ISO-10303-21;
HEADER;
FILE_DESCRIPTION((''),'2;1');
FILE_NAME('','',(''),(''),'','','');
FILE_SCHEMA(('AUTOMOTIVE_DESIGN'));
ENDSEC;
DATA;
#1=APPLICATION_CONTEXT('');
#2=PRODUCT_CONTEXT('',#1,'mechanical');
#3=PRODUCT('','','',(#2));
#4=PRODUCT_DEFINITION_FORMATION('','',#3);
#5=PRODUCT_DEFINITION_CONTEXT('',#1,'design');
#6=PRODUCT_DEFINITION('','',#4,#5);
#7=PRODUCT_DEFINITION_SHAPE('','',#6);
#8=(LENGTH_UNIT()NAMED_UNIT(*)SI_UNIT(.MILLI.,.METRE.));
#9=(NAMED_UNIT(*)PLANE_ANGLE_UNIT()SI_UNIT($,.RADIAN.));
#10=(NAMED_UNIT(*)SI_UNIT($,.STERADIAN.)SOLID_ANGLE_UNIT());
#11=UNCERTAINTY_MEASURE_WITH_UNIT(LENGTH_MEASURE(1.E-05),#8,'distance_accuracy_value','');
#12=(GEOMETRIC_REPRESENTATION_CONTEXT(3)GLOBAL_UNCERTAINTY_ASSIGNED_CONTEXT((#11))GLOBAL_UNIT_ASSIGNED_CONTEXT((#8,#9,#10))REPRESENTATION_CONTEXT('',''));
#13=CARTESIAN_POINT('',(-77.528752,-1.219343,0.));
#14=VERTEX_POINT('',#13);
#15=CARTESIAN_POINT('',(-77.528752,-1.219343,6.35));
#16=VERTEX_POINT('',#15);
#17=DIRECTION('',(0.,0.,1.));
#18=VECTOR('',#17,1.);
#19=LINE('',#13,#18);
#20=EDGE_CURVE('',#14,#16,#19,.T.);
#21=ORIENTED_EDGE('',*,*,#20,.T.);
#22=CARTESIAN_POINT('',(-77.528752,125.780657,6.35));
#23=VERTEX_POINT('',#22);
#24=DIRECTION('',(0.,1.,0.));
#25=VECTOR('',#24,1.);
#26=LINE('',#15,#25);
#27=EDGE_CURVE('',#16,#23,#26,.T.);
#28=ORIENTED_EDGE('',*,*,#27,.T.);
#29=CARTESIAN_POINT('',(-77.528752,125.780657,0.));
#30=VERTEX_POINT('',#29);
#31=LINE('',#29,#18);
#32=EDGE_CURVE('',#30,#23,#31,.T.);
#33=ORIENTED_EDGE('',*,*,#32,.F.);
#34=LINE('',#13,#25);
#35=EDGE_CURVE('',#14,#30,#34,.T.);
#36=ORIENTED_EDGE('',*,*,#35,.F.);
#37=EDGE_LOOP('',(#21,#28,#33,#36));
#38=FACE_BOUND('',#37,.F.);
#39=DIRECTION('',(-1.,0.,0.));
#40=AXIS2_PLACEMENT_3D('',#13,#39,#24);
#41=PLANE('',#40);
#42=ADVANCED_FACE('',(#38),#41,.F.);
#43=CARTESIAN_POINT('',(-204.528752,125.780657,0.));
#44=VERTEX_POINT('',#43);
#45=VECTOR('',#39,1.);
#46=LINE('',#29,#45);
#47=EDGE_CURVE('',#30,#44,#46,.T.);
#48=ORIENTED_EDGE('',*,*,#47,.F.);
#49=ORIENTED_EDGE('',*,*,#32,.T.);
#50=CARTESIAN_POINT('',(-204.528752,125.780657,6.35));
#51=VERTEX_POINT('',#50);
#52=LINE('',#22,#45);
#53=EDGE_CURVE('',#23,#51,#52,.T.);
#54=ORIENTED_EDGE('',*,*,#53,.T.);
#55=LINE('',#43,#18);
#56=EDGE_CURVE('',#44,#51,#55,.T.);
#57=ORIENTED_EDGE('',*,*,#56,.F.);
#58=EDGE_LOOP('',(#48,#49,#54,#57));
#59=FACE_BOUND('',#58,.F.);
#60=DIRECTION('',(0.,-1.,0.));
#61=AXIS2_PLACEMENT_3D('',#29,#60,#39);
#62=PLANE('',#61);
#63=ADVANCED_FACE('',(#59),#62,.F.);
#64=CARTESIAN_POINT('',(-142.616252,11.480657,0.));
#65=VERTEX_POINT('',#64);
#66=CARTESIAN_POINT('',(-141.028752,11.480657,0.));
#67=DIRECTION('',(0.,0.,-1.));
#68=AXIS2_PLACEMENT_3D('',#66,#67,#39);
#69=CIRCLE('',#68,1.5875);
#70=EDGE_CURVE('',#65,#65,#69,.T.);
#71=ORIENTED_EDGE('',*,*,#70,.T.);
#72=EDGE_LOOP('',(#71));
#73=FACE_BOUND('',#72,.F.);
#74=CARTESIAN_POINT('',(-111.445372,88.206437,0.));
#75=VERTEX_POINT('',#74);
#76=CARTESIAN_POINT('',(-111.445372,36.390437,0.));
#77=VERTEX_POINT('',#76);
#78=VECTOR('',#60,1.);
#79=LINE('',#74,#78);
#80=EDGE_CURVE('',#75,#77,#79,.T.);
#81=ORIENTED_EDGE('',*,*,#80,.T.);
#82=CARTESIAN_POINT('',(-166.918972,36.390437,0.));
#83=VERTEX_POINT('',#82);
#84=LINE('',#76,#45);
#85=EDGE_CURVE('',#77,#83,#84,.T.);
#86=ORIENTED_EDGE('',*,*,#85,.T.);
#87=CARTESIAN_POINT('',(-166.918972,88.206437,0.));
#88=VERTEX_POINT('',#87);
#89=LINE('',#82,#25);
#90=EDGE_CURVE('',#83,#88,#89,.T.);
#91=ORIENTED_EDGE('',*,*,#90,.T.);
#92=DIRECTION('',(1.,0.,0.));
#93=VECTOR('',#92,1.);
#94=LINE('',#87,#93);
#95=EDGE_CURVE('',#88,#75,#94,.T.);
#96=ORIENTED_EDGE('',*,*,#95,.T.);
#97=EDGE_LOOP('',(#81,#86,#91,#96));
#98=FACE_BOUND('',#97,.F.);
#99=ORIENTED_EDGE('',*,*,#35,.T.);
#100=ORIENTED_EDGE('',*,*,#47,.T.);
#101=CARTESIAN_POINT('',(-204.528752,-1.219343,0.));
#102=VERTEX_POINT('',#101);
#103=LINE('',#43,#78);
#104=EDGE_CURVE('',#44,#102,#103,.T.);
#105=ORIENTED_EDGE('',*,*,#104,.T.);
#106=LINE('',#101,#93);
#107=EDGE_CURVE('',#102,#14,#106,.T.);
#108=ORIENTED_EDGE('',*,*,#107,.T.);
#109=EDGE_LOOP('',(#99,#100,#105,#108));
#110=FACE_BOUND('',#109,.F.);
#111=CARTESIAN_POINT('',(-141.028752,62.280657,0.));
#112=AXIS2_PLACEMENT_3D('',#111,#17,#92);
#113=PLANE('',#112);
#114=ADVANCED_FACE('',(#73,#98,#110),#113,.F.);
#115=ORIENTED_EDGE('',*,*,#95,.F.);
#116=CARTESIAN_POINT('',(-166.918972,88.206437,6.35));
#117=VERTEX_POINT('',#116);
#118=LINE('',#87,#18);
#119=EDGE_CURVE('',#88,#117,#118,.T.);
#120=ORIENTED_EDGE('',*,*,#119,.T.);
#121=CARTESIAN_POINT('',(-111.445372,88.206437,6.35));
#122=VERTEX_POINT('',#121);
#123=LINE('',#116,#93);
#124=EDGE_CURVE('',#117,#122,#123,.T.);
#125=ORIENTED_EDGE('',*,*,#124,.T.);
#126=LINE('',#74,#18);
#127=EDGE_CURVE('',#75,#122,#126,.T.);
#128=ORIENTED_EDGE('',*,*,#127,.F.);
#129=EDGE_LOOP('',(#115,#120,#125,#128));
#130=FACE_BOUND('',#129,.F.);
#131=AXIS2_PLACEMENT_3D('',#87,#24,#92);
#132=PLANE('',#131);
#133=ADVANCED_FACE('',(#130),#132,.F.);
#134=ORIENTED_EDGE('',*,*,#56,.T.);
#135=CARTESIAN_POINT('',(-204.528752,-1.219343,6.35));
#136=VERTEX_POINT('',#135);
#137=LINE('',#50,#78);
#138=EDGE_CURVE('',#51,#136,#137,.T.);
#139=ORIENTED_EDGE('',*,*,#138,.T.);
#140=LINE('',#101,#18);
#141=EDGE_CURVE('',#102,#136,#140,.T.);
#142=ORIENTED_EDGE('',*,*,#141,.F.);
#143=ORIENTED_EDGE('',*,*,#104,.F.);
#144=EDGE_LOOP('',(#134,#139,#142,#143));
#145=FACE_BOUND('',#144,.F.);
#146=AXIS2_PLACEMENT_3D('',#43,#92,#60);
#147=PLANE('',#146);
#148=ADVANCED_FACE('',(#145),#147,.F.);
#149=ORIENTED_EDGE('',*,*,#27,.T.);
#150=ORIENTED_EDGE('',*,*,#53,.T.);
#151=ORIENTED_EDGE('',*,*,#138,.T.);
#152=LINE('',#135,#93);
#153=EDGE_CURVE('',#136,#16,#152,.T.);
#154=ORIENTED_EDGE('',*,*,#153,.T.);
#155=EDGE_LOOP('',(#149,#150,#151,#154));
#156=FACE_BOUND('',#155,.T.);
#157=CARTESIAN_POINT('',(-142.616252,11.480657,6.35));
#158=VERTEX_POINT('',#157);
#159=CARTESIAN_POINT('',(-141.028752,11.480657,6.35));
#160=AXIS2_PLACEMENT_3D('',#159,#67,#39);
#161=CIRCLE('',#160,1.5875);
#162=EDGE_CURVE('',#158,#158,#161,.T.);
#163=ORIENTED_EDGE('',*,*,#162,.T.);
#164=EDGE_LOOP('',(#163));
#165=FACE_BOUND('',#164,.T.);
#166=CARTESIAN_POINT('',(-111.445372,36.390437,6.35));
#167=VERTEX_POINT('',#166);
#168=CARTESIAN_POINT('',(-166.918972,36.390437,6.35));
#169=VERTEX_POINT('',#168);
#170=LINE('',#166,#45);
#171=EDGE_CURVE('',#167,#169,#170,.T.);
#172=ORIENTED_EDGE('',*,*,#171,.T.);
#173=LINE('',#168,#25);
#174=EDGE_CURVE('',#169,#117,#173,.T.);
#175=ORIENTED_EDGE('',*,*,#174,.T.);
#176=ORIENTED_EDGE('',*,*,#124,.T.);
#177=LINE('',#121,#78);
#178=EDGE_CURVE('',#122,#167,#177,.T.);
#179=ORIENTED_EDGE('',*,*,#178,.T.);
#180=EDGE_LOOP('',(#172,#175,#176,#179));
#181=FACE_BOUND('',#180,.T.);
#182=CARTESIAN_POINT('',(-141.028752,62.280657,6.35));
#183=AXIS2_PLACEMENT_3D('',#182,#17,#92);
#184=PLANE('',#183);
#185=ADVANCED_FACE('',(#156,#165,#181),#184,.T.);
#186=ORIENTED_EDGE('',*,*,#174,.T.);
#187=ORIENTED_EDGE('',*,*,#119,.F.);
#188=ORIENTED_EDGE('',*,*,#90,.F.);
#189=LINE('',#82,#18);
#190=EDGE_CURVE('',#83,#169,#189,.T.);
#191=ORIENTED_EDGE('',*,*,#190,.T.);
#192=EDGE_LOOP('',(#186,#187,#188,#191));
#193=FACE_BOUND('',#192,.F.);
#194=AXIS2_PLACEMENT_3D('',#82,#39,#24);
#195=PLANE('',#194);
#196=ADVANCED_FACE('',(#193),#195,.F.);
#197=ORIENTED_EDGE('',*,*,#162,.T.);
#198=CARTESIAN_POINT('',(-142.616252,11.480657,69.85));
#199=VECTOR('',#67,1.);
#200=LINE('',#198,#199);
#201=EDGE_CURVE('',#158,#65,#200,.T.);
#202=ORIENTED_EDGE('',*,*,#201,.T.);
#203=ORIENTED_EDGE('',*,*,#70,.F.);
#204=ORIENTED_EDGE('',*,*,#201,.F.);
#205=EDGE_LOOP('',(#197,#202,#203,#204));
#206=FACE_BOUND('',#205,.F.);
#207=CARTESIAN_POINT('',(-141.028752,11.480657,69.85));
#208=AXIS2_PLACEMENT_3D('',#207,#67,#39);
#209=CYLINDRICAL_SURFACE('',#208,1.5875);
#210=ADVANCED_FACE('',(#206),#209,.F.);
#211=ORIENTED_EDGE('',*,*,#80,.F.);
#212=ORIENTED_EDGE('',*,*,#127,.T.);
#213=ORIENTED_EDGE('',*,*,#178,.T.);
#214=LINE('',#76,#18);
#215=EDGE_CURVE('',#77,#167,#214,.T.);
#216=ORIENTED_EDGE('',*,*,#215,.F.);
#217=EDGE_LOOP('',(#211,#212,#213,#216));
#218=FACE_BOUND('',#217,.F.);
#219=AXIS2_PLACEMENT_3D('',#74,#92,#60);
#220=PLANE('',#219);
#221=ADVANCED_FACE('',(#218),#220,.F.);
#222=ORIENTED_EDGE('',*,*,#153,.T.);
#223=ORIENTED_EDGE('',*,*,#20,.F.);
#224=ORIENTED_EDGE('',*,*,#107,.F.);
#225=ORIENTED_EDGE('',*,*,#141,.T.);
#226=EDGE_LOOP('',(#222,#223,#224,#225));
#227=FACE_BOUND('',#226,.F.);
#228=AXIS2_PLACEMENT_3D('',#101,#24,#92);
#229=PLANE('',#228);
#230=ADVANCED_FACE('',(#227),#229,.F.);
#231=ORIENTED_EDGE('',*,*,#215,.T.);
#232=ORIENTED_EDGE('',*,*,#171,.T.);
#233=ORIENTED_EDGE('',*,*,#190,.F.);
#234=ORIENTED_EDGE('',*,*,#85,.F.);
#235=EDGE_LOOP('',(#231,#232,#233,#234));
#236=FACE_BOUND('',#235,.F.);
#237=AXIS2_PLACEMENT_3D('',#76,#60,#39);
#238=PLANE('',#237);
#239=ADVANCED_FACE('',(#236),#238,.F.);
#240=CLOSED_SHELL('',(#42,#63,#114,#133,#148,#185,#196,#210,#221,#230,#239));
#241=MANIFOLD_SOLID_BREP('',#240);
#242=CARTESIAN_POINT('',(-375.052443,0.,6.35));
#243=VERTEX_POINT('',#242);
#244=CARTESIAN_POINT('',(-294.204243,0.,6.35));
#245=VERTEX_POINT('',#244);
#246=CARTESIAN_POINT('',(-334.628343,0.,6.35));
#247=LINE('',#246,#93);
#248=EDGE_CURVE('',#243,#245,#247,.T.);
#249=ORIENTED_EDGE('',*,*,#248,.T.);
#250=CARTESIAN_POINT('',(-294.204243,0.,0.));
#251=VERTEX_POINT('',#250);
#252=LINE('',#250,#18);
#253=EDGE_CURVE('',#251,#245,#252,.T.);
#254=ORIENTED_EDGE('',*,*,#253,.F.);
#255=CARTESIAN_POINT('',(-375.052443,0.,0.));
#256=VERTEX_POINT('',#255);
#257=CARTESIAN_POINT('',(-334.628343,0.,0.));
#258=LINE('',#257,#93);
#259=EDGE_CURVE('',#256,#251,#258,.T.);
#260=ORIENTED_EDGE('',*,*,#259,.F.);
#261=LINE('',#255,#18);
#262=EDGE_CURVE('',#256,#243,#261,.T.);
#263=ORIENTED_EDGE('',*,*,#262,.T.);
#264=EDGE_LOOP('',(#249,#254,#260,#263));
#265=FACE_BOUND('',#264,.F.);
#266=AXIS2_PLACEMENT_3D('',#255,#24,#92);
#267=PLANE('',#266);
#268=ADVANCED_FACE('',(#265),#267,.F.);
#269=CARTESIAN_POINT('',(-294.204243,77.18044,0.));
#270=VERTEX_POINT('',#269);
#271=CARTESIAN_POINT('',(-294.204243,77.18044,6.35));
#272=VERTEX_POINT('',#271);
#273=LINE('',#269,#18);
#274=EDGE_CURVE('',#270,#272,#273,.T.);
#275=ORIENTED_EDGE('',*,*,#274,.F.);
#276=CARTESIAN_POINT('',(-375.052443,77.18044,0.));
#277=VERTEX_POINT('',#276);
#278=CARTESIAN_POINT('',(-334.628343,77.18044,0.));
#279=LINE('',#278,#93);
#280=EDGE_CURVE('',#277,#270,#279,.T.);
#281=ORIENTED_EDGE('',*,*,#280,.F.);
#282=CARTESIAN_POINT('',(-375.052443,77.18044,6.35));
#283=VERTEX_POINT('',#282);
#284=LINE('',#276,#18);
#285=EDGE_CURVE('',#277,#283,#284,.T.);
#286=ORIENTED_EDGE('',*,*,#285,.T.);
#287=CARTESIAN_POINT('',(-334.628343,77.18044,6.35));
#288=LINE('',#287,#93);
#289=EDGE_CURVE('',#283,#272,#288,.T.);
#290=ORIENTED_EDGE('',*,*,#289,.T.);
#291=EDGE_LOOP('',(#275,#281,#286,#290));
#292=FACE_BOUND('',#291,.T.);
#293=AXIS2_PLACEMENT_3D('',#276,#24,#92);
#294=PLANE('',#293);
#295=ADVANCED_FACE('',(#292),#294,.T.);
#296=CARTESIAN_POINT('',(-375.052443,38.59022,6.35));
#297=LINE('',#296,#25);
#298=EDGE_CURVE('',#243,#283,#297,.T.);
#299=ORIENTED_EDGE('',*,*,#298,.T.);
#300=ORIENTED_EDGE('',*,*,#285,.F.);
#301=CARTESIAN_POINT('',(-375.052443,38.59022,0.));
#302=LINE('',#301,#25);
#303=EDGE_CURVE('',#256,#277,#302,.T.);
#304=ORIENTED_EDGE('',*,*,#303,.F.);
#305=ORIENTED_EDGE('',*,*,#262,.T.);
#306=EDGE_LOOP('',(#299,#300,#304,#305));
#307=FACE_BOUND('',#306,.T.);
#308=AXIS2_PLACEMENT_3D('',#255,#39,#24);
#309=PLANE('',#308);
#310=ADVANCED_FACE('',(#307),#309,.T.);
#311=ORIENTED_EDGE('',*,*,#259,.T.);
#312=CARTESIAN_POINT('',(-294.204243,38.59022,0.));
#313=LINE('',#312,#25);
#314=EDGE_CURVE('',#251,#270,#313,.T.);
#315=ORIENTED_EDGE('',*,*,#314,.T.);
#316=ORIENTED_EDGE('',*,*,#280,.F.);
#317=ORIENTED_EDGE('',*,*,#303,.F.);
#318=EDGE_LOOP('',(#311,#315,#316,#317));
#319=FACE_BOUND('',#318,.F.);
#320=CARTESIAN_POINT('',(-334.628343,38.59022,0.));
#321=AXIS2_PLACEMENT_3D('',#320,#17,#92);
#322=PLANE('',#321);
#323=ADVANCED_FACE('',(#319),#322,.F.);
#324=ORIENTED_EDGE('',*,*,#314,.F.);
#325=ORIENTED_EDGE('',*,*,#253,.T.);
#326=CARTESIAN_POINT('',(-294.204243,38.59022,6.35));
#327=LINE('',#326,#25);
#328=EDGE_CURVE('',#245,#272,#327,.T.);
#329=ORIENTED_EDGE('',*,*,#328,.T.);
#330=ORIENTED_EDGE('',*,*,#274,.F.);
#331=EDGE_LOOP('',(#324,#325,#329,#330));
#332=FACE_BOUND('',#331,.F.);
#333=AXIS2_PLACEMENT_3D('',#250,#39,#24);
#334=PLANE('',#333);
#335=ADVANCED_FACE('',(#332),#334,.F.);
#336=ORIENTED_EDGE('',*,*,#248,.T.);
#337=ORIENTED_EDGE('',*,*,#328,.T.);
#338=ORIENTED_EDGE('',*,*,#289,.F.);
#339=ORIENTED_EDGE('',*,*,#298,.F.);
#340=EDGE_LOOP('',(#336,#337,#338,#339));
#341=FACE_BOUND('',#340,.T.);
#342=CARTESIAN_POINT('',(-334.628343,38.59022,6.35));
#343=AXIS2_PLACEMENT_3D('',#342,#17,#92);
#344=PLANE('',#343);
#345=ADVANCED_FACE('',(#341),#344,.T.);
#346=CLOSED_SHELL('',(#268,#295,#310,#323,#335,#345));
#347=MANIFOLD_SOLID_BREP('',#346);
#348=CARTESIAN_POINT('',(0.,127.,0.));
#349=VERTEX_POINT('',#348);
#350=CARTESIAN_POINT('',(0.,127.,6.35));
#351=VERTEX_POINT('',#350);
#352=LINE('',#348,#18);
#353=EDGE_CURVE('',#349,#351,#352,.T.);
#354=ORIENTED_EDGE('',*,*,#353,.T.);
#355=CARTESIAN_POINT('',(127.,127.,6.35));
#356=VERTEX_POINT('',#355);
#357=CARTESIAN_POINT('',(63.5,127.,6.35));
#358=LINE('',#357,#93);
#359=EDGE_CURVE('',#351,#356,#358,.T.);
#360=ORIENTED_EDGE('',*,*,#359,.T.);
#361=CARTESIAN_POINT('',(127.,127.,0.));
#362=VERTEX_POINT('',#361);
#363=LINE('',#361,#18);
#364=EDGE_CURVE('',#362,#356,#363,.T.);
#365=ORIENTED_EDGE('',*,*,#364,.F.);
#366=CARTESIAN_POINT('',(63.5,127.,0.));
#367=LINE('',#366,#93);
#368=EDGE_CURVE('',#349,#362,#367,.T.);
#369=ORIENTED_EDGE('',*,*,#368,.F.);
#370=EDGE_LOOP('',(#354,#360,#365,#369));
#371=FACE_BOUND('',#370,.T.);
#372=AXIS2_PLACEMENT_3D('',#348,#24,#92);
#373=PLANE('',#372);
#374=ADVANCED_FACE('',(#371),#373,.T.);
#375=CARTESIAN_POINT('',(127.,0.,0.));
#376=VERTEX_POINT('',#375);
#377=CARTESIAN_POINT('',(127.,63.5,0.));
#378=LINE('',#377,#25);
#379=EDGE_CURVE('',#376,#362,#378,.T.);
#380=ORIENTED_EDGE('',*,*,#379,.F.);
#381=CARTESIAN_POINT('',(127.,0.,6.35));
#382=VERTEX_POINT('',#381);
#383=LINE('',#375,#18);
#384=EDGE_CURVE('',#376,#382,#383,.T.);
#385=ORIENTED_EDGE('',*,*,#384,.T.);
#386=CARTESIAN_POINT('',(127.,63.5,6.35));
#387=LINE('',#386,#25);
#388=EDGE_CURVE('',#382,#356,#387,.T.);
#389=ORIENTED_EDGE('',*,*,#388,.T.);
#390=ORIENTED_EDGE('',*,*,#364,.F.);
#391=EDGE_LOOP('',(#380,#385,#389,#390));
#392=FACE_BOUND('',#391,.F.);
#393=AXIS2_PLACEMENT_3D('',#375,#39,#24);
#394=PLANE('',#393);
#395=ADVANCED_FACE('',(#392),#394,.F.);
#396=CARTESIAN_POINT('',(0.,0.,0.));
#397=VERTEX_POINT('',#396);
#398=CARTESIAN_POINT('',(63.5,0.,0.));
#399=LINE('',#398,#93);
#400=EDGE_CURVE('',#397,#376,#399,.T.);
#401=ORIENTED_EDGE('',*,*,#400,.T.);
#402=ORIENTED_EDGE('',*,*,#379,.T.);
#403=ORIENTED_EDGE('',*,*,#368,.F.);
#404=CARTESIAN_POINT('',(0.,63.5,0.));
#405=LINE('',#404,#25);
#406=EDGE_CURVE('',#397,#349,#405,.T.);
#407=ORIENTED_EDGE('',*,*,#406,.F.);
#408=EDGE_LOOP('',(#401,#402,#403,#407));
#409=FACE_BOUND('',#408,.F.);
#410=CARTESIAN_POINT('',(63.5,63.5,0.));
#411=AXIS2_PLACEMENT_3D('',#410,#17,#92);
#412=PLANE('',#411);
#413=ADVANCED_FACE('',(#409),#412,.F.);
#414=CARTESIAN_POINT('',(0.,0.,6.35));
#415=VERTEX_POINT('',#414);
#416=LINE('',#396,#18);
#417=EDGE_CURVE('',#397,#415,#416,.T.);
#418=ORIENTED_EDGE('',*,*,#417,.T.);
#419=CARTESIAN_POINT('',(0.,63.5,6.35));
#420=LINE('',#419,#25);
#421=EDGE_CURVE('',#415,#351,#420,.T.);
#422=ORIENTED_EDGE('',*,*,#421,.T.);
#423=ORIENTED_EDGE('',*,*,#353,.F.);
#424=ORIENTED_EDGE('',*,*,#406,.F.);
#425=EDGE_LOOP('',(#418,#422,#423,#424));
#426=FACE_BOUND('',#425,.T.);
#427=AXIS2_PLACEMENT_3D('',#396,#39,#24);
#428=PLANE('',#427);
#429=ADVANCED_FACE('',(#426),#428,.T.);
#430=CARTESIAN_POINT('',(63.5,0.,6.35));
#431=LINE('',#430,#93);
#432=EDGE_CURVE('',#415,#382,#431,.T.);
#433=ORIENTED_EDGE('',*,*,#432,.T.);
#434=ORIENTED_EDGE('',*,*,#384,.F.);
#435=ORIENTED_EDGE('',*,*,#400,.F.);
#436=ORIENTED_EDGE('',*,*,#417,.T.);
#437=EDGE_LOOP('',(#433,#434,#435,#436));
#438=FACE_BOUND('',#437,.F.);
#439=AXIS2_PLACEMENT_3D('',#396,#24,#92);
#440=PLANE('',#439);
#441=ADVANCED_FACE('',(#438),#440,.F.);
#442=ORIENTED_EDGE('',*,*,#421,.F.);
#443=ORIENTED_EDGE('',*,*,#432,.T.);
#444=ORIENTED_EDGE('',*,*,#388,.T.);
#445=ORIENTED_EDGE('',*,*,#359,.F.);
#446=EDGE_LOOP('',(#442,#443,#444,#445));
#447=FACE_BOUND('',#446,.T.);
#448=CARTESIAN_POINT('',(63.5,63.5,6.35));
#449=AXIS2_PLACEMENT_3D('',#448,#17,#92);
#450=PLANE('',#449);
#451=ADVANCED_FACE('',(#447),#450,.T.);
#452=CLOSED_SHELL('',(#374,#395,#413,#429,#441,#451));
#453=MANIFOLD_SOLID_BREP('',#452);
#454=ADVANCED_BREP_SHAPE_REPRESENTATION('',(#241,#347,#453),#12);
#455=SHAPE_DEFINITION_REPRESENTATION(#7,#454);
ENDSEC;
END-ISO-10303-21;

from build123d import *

# Parameters (mm, degrees)
F0_W     = 127
F0_H     = 127
F1_DEPTH = 6.35
F2_W     = 80.8482
F2_H     = 77.18044
F3_DEPTH = 6.35
F5_D     = 3.175
F5_DEPTH = 63.5


with BuildPart() as f1:
    # F0 (on Top) → F1 (new body)
    with BuildSketch(Plane.XY):
        with Locations((63.5, 63.5)):
            Rectangle(F0_W, F0_H)
        Polygon((-204.528752, 125.780657), (-204.528752, -1.219343), (-141.028752, -1.219343), (-77.528752, -1.219343), (-77.528752, 125.780657), align=None)
        Polygon((-166.918972, 62.280657), (-166.918972, 88.206437), (-111.445372, 88.206437), (-111.445372, 62.280657), (-111.445372, 36.390437), (-141.028752, 36.390437), (-166.918972, 36.390437), align=None, mode=Mode.SUBTRACT)
    extrude(amount=F1_DEPTH)

    # F5
    with Locations(Plane.XY.offset(6.35)):
        with Locations((-141.028752, 11.480657)):
            Hole(F5_D / 2, depth=F5_DEPTH)


with BuildPart() as f3:
    # F2 (on Top) → F3 (new body)
    with BuildSketch(Plane.XY):
        with Locations((-334.628343, 38.59022)):
            Rectangle(F2_W, F2_H)
    extrude(amount=F3_DEPTH)


solid = Compound([f1.part, f3.part])
